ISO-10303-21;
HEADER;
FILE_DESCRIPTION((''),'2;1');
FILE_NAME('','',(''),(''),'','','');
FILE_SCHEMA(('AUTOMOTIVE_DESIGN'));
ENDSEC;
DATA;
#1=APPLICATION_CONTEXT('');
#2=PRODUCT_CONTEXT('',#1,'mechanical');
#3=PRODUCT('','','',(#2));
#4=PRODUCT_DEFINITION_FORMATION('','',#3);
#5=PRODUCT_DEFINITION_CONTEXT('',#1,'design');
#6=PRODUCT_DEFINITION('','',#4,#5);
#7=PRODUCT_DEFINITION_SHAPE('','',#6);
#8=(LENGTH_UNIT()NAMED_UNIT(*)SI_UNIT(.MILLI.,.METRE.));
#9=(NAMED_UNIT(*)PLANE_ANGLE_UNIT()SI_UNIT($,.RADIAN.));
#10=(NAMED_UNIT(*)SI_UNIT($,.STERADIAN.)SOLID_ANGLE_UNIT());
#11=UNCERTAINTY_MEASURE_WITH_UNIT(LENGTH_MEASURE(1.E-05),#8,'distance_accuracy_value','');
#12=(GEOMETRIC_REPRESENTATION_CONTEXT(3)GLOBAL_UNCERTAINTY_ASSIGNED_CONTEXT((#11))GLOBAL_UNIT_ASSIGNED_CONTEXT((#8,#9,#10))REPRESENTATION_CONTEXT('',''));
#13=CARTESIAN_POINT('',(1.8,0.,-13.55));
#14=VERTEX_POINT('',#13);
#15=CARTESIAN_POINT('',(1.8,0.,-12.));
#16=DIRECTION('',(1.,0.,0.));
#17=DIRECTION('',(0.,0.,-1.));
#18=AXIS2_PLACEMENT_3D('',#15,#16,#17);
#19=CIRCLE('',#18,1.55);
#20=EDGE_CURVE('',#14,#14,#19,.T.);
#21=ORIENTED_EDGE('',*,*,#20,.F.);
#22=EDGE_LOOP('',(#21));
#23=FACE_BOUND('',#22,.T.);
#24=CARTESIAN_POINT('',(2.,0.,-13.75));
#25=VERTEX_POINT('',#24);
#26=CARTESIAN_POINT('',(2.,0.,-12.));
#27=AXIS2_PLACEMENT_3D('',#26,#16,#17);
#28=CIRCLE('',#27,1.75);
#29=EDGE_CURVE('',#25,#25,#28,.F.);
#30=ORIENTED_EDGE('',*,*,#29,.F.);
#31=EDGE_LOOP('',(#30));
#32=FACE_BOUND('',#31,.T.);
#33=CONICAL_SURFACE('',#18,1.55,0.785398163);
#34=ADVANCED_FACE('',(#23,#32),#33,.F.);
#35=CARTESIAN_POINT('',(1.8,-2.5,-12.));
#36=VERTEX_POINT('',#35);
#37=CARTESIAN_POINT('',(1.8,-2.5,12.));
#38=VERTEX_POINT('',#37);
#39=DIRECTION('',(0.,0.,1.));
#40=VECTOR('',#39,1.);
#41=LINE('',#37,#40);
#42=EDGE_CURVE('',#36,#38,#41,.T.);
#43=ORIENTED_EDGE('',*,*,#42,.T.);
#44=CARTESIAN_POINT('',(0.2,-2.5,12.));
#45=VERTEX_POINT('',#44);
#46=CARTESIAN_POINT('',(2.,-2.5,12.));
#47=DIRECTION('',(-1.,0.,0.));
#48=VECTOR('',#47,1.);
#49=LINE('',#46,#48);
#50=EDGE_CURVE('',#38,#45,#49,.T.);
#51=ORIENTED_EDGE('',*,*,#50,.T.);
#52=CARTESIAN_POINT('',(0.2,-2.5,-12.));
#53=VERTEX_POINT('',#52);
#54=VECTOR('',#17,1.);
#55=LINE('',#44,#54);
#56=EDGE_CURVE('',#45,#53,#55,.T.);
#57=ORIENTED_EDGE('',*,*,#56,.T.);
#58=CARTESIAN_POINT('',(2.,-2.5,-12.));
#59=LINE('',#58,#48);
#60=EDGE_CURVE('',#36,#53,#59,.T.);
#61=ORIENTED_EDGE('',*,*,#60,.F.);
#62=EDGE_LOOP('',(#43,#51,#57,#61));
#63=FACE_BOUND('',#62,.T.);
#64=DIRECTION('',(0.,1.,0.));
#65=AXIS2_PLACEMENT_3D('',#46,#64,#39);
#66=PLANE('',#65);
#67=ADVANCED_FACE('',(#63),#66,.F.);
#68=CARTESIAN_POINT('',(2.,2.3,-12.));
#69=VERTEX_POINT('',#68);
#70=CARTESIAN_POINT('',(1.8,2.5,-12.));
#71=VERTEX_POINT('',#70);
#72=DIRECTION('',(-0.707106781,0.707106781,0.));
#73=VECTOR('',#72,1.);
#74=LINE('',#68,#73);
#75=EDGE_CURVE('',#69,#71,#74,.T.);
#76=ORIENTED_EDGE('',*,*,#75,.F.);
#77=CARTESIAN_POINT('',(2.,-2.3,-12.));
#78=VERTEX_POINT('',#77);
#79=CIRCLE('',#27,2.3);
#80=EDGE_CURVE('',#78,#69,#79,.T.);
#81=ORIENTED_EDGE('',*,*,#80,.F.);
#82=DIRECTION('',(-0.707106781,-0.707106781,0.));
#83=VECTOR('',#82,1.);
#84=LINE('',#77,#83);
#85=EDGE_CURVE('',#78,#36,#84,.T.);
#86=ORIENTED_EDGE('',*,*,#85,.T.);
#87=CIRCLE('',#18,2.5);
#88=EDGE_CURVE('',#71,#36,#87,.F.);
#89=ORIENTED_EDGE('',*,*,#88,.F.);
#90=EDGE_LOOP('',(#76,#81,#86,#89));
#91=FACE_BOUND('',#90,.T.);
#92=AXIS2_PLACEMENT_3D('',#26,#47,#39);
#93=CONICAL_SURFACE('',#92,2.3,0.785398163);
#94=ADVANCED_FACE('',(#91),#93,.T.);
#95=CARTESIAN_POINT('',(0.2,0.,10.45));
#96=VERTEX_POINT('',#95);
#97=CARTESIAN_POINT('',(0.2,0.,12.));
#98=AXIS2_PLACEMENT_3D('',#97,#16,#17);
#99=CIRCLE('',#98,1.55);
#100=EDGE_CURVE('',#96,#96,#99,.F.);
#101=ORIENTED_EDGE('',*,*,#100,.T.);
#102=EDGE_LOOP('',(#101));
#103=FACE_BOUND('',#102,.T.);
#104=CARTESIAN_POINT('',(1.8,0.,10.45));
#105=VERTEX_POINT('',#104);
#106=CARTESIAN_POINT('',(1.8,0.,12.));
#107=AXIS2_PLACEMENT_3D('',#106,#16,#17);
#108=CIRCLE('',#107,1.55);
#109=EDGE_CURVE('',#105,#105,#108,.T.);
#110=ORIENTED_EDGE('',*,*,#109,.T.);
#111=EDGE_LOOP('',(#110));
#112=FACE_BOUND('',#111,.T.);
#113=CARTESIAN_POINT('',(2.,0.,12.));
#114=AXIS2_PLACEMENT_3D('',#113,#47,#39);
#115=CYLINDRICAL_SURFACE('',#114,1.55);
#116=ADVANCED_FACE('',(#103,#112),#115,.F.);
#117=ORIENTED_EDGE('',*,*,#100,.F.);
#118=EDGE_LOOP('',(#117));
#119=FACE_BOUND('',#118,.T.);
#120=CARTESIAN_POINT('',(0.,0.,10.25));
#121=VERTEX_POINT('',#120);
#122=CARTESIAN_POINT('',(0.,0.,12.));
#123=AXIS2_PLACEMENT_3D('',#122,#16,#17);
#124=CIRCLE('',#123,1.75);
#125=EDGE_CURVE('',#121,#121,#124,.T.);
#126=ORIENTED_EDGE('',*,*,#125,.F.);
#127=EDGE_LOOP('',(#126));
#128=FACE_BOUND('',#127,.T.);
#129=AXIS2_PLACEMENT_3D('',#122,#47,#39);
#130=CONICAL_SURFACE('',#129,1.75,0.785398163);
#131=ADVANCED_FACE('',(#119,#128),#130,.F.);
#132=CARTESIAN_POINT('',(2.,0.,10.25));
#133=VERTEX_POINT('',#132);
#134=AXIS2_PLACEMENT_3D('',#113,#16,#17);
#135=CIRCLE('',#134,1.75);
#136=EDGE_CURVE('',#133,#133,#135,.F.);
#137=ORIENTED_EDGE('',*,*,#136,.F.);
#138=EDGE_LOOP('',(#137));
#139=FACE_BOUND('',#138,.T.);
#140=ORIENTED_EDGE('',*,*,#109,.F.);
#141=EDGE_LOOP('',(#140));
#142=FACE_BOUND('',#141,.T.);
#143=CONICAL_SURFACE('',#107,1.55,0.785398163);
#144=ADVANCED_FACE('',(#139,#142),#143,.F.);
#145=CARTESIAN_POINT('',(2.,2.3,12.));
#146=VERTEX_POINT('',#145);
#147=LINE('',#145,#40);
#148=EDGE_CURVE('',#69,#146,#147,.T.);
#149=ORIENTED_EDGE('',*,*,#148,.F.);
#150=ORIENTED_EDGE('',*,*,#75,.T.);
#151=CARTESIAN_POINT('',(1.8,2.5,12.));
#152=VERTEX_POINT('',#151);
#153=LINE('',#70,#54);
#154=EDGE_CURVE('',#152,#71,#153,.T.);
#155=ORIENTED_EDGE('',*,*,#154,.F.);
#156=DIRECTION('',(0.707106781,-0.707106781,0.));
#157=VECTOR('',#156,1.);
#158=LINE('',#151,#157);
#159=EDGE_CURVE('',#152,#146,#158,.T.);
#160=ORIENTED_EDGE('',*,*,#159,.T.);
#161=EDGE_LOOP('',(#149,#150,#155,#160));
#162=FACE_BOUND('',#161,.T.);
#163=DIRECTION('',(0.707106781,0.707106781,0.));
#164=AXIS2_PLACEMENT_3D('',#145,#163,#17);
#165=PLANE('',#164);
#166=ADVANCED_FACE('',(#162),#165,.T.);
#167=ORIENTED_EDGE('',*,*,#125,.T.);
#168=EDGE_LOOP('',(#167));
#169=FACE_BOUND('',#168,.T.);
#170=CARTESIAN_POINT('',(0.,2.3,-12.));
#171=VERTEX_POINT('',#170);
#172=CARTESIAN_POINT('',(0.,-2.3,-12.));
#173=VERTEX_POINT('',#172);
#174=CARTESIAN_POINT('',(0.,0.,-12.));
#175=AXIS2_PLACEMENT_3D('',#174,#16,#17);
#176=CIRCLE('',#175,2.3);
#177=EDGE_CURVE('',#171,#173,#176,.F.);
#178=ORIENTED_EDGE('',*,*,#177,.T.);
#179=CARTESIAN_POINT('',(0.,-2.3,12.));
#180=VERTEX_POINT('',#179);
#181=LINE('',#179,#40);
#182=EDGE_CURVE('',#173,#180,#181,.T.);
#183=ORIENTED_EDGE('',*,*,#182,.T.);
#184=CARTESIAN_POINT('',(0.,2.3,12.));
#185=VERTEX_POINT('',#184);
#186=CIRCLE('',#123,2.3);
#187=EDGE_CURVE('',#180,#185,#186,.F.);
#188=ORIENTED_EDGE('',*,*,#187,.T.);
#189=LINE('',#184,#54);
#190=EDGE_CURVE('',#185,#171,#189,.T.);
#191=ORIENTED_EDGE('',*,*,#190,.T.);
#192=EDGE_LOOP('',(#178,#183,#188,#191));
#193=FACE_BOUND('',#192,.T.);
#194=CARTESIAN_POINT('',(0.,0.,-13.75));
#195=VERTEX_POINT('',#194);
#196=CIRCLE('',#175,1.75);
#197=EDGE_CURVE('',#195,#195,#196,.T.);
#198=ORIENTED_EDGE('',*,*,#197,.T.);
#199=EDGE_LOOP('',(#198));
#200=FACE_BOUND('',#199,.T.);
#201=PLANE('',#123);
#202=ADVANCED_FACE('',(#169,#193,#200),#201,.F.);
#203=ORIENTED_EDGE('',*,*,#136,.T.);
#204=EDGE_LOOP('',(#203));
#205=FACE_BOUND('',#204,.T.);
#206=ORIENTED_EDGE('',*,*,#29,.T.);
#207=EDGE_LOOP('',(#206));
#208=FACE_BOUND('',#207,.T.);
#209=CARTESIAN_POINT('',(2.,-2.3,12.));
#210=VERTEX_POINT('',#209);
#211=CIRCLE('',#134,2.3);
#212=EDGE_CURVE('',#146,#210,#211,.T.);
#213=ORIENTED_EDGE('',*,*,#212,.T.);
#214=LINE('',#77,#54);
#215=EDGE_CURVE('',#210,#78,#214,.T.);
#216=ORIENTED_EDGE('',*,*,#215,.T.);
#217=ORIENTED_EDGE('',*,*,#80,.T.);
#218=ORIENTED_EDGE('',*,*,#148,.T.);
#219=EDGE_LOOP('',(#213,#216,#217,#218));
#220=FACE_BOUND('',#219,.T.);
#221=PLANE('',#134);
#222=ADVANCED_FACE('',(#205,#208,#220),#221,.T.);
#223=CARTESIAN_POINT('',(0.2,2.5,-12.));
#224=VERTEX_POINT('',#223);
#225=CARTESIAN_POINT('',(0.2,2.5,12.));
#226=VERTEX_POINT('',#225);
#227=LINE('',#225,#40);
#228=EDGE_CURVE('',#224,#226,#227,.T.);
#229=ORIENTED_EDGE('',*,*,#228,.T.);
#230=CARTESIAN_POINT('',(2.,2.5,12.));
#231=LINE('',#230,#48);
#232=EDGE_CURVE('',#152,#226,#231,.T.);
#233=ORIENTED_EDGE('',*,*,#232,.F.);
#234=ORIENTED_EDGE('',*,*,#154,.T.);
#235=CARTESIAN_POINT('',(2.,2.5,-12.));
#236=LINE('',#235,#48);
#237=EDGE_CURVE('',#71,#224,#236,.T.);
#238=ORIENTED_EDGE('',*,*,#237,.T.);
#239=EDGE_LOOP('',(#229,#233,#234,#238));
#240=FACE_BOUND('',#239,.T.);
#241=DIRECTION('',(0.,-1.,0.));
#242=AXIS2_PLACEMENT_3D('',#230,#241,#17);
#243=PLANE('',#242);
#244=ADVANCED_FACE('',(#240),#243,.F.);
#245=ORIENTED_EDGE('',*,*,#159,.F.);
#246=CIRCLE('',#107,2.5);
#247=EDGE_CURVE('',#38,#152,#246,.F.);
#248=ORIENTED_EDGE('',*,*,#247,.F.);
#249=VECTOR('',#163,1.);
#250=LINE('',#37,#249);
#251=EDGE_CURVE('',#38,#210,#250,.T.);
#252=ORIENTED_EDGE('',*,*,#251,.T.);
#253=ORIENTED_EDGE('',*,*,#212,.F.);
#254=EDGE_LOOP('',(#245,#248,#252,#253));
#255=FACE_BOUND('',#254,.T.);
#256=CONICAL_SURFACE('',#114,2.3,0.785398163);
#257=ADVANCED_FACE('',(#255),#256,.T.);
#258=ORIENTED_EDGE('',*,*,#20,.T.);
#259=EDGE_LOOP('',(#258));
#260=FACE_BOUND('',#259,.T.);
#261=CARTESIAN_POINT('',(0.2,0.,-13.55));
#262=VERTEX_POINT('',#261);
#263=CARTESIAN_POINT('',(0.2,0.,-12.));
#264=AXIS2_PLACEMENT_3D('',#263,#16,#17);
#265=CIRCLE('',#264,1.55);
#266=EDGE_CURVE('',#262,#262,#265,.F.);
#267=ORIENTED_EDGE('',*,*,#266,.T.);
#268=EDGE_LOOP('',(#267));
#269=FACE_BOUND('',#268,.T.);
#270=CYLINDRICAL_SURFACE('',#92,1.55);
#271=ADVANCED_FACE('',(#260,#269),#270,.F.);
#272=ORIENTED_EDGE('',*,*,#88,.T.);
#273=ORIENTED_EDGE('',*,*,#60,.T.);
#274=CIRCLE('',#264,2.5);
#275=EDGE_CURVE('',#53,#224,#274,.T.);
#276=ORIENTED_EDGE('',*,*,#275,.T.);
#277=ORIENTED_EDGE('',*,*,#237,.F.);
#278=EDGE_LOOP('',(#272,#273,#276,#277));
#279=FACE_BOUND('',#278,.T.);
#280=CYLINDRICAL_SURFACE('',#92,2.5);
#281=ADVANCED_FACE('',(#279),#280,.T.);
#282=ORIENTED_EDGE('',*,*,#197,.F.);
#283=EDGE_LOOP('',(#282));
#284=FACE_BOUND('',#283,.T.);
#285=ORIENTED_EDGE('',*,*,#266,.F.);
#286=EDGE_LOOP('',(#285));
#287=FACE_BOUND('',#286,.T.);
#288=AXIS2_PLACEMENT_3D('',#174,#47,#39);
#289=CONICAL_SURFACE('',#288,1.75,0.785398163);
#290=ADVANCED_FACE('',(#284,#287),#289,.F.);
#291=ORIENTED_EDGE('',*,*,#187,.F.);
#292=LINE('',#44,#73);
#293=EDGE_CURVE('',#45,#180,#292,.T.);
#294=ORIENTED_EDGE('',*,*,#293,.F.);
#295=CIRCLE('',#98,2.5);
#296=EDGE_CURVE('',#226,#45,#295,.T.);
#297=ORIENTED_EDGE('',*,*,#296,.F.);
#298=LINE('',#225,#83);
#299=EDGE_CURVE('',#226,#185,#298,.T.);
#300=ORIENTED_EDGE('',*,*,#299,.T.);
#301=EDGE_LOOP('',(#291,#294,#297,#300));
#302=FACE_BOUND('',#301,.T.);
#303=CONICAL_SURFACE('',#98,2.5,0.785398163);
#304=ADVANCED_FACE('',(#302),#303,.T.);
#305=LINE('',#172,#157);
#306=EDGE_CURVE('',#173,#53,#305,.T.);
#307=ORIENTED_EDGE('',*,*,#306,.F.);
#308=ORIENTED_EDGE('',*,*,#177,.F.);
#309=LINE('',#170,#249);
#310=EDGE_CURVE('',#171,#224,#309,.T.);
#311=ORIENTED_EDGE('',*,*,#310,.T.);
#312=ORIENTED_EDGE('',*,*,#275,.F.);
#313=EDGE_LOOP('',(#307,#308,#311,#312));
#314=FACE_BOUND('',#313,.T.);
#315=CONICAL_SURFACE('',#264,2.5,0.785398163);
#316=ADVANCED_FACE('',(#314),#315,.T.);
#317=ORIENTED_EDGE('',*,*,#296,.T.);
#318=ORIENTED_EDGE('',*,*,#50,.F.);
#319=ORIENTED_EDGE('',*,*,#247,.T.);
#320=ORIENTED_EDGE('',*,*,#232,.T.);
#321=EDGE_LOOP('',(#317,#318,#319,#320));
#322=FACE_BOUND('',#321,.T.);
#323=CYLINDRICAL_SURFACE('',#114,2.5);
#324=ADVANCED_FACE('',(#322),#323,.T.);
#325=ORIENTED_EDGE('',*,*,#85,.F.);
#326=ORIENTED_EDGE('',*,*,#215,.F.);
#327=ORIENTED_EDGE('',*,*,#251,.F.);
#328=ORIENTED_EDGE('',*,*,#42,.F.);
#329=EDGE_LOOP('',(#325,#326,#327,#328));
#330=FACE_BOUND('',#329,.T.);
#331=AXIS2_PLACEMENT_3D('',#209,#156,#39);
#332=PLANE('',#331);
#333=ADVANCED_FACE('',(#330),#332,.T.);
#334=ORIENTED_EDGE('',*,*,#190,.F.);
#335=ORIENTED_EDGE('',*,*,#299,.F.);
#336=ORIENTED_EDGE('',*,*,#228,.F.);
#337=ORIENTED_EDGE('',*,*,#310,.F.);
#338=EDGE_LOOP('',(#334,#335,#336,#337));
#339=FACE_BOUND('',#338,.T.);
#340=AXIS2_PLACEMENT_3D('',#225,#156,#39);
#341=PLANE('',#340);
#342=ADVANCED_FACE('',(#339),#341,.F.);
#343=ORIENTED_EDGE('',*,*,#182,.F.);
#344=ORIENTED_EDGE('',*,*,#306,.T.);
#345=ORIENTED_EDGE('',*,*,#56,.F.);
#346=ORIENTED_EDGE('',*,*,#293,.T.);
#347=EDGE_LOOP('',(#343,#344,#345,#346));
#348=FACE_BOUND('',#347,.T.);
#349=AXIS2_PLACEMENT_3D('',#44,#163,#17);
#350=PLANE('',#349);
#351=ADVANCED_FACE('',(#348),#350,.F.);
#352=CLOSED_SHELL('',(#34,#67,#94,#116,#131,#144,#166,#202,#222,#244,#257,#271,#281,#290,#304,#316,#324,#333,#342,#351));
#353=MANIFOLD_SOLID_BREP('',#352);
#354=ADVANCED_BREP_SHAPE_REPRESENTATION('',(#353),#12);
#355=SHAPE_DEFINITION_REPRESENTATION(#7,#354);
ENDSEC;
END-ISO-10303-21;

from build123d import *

# Parameters (mm, degrees)
SKETCH1_R           = 1.55
BOSS_EXTRUDE1_DEPTH = 2
CHAMFER1_SIZE       = 0.2


with BuildPart() as part:
    # Sketch1 → Boss-Extrude1 (new body)
    with BuildSketch(Plane(origin=(0, 0, 0), x_dir=(0, 0, -1), z_dir=(1, 0, 0))):
        with BuildLine():
            Line((-12, 2.5), (12, 2.5))
            ThreePointArc((12, 2.5), (14.5, 0), (12, -2.5))
            Line((12, -2.5), (-12, -2.5))
            ThreePointArc((-12, -2.5), (-14.5, 0), (-12, 2.5))
        make_face()
        with Locations((-12, 0)):
            Circle(SKETCH1_R, mode=Mode.SUBTRACT)
        with Locations((12, 0)):
            Circle(SKETCH1_R, mode=Mode.SUBTRACT)
    extrude(amount=BOSS_EXTRUDE1_DEPTH)

    # Chamfer1
    chamfer1_edges = [part.edges().sort_by_distance(p)[0] for p in [
        (0, 0, 13.55),
        (2, 0, 13.55),
        (2, 0, -14.5),
        (0, 0, -10.45),
        (2, 0, -10.45),
        (2, 2.5, 0),
        (2, 0, 14.5),
        (0, 2.5, 0),
        (0, 0, -14.5),
        (0, -2.5, 0),
        (0, 0, 14.5),
        (2, -2.5, 0),
    ]]
    chamfer(chamfer1_edges, length=CHAMFER1_SIZE)


solid = part.part
